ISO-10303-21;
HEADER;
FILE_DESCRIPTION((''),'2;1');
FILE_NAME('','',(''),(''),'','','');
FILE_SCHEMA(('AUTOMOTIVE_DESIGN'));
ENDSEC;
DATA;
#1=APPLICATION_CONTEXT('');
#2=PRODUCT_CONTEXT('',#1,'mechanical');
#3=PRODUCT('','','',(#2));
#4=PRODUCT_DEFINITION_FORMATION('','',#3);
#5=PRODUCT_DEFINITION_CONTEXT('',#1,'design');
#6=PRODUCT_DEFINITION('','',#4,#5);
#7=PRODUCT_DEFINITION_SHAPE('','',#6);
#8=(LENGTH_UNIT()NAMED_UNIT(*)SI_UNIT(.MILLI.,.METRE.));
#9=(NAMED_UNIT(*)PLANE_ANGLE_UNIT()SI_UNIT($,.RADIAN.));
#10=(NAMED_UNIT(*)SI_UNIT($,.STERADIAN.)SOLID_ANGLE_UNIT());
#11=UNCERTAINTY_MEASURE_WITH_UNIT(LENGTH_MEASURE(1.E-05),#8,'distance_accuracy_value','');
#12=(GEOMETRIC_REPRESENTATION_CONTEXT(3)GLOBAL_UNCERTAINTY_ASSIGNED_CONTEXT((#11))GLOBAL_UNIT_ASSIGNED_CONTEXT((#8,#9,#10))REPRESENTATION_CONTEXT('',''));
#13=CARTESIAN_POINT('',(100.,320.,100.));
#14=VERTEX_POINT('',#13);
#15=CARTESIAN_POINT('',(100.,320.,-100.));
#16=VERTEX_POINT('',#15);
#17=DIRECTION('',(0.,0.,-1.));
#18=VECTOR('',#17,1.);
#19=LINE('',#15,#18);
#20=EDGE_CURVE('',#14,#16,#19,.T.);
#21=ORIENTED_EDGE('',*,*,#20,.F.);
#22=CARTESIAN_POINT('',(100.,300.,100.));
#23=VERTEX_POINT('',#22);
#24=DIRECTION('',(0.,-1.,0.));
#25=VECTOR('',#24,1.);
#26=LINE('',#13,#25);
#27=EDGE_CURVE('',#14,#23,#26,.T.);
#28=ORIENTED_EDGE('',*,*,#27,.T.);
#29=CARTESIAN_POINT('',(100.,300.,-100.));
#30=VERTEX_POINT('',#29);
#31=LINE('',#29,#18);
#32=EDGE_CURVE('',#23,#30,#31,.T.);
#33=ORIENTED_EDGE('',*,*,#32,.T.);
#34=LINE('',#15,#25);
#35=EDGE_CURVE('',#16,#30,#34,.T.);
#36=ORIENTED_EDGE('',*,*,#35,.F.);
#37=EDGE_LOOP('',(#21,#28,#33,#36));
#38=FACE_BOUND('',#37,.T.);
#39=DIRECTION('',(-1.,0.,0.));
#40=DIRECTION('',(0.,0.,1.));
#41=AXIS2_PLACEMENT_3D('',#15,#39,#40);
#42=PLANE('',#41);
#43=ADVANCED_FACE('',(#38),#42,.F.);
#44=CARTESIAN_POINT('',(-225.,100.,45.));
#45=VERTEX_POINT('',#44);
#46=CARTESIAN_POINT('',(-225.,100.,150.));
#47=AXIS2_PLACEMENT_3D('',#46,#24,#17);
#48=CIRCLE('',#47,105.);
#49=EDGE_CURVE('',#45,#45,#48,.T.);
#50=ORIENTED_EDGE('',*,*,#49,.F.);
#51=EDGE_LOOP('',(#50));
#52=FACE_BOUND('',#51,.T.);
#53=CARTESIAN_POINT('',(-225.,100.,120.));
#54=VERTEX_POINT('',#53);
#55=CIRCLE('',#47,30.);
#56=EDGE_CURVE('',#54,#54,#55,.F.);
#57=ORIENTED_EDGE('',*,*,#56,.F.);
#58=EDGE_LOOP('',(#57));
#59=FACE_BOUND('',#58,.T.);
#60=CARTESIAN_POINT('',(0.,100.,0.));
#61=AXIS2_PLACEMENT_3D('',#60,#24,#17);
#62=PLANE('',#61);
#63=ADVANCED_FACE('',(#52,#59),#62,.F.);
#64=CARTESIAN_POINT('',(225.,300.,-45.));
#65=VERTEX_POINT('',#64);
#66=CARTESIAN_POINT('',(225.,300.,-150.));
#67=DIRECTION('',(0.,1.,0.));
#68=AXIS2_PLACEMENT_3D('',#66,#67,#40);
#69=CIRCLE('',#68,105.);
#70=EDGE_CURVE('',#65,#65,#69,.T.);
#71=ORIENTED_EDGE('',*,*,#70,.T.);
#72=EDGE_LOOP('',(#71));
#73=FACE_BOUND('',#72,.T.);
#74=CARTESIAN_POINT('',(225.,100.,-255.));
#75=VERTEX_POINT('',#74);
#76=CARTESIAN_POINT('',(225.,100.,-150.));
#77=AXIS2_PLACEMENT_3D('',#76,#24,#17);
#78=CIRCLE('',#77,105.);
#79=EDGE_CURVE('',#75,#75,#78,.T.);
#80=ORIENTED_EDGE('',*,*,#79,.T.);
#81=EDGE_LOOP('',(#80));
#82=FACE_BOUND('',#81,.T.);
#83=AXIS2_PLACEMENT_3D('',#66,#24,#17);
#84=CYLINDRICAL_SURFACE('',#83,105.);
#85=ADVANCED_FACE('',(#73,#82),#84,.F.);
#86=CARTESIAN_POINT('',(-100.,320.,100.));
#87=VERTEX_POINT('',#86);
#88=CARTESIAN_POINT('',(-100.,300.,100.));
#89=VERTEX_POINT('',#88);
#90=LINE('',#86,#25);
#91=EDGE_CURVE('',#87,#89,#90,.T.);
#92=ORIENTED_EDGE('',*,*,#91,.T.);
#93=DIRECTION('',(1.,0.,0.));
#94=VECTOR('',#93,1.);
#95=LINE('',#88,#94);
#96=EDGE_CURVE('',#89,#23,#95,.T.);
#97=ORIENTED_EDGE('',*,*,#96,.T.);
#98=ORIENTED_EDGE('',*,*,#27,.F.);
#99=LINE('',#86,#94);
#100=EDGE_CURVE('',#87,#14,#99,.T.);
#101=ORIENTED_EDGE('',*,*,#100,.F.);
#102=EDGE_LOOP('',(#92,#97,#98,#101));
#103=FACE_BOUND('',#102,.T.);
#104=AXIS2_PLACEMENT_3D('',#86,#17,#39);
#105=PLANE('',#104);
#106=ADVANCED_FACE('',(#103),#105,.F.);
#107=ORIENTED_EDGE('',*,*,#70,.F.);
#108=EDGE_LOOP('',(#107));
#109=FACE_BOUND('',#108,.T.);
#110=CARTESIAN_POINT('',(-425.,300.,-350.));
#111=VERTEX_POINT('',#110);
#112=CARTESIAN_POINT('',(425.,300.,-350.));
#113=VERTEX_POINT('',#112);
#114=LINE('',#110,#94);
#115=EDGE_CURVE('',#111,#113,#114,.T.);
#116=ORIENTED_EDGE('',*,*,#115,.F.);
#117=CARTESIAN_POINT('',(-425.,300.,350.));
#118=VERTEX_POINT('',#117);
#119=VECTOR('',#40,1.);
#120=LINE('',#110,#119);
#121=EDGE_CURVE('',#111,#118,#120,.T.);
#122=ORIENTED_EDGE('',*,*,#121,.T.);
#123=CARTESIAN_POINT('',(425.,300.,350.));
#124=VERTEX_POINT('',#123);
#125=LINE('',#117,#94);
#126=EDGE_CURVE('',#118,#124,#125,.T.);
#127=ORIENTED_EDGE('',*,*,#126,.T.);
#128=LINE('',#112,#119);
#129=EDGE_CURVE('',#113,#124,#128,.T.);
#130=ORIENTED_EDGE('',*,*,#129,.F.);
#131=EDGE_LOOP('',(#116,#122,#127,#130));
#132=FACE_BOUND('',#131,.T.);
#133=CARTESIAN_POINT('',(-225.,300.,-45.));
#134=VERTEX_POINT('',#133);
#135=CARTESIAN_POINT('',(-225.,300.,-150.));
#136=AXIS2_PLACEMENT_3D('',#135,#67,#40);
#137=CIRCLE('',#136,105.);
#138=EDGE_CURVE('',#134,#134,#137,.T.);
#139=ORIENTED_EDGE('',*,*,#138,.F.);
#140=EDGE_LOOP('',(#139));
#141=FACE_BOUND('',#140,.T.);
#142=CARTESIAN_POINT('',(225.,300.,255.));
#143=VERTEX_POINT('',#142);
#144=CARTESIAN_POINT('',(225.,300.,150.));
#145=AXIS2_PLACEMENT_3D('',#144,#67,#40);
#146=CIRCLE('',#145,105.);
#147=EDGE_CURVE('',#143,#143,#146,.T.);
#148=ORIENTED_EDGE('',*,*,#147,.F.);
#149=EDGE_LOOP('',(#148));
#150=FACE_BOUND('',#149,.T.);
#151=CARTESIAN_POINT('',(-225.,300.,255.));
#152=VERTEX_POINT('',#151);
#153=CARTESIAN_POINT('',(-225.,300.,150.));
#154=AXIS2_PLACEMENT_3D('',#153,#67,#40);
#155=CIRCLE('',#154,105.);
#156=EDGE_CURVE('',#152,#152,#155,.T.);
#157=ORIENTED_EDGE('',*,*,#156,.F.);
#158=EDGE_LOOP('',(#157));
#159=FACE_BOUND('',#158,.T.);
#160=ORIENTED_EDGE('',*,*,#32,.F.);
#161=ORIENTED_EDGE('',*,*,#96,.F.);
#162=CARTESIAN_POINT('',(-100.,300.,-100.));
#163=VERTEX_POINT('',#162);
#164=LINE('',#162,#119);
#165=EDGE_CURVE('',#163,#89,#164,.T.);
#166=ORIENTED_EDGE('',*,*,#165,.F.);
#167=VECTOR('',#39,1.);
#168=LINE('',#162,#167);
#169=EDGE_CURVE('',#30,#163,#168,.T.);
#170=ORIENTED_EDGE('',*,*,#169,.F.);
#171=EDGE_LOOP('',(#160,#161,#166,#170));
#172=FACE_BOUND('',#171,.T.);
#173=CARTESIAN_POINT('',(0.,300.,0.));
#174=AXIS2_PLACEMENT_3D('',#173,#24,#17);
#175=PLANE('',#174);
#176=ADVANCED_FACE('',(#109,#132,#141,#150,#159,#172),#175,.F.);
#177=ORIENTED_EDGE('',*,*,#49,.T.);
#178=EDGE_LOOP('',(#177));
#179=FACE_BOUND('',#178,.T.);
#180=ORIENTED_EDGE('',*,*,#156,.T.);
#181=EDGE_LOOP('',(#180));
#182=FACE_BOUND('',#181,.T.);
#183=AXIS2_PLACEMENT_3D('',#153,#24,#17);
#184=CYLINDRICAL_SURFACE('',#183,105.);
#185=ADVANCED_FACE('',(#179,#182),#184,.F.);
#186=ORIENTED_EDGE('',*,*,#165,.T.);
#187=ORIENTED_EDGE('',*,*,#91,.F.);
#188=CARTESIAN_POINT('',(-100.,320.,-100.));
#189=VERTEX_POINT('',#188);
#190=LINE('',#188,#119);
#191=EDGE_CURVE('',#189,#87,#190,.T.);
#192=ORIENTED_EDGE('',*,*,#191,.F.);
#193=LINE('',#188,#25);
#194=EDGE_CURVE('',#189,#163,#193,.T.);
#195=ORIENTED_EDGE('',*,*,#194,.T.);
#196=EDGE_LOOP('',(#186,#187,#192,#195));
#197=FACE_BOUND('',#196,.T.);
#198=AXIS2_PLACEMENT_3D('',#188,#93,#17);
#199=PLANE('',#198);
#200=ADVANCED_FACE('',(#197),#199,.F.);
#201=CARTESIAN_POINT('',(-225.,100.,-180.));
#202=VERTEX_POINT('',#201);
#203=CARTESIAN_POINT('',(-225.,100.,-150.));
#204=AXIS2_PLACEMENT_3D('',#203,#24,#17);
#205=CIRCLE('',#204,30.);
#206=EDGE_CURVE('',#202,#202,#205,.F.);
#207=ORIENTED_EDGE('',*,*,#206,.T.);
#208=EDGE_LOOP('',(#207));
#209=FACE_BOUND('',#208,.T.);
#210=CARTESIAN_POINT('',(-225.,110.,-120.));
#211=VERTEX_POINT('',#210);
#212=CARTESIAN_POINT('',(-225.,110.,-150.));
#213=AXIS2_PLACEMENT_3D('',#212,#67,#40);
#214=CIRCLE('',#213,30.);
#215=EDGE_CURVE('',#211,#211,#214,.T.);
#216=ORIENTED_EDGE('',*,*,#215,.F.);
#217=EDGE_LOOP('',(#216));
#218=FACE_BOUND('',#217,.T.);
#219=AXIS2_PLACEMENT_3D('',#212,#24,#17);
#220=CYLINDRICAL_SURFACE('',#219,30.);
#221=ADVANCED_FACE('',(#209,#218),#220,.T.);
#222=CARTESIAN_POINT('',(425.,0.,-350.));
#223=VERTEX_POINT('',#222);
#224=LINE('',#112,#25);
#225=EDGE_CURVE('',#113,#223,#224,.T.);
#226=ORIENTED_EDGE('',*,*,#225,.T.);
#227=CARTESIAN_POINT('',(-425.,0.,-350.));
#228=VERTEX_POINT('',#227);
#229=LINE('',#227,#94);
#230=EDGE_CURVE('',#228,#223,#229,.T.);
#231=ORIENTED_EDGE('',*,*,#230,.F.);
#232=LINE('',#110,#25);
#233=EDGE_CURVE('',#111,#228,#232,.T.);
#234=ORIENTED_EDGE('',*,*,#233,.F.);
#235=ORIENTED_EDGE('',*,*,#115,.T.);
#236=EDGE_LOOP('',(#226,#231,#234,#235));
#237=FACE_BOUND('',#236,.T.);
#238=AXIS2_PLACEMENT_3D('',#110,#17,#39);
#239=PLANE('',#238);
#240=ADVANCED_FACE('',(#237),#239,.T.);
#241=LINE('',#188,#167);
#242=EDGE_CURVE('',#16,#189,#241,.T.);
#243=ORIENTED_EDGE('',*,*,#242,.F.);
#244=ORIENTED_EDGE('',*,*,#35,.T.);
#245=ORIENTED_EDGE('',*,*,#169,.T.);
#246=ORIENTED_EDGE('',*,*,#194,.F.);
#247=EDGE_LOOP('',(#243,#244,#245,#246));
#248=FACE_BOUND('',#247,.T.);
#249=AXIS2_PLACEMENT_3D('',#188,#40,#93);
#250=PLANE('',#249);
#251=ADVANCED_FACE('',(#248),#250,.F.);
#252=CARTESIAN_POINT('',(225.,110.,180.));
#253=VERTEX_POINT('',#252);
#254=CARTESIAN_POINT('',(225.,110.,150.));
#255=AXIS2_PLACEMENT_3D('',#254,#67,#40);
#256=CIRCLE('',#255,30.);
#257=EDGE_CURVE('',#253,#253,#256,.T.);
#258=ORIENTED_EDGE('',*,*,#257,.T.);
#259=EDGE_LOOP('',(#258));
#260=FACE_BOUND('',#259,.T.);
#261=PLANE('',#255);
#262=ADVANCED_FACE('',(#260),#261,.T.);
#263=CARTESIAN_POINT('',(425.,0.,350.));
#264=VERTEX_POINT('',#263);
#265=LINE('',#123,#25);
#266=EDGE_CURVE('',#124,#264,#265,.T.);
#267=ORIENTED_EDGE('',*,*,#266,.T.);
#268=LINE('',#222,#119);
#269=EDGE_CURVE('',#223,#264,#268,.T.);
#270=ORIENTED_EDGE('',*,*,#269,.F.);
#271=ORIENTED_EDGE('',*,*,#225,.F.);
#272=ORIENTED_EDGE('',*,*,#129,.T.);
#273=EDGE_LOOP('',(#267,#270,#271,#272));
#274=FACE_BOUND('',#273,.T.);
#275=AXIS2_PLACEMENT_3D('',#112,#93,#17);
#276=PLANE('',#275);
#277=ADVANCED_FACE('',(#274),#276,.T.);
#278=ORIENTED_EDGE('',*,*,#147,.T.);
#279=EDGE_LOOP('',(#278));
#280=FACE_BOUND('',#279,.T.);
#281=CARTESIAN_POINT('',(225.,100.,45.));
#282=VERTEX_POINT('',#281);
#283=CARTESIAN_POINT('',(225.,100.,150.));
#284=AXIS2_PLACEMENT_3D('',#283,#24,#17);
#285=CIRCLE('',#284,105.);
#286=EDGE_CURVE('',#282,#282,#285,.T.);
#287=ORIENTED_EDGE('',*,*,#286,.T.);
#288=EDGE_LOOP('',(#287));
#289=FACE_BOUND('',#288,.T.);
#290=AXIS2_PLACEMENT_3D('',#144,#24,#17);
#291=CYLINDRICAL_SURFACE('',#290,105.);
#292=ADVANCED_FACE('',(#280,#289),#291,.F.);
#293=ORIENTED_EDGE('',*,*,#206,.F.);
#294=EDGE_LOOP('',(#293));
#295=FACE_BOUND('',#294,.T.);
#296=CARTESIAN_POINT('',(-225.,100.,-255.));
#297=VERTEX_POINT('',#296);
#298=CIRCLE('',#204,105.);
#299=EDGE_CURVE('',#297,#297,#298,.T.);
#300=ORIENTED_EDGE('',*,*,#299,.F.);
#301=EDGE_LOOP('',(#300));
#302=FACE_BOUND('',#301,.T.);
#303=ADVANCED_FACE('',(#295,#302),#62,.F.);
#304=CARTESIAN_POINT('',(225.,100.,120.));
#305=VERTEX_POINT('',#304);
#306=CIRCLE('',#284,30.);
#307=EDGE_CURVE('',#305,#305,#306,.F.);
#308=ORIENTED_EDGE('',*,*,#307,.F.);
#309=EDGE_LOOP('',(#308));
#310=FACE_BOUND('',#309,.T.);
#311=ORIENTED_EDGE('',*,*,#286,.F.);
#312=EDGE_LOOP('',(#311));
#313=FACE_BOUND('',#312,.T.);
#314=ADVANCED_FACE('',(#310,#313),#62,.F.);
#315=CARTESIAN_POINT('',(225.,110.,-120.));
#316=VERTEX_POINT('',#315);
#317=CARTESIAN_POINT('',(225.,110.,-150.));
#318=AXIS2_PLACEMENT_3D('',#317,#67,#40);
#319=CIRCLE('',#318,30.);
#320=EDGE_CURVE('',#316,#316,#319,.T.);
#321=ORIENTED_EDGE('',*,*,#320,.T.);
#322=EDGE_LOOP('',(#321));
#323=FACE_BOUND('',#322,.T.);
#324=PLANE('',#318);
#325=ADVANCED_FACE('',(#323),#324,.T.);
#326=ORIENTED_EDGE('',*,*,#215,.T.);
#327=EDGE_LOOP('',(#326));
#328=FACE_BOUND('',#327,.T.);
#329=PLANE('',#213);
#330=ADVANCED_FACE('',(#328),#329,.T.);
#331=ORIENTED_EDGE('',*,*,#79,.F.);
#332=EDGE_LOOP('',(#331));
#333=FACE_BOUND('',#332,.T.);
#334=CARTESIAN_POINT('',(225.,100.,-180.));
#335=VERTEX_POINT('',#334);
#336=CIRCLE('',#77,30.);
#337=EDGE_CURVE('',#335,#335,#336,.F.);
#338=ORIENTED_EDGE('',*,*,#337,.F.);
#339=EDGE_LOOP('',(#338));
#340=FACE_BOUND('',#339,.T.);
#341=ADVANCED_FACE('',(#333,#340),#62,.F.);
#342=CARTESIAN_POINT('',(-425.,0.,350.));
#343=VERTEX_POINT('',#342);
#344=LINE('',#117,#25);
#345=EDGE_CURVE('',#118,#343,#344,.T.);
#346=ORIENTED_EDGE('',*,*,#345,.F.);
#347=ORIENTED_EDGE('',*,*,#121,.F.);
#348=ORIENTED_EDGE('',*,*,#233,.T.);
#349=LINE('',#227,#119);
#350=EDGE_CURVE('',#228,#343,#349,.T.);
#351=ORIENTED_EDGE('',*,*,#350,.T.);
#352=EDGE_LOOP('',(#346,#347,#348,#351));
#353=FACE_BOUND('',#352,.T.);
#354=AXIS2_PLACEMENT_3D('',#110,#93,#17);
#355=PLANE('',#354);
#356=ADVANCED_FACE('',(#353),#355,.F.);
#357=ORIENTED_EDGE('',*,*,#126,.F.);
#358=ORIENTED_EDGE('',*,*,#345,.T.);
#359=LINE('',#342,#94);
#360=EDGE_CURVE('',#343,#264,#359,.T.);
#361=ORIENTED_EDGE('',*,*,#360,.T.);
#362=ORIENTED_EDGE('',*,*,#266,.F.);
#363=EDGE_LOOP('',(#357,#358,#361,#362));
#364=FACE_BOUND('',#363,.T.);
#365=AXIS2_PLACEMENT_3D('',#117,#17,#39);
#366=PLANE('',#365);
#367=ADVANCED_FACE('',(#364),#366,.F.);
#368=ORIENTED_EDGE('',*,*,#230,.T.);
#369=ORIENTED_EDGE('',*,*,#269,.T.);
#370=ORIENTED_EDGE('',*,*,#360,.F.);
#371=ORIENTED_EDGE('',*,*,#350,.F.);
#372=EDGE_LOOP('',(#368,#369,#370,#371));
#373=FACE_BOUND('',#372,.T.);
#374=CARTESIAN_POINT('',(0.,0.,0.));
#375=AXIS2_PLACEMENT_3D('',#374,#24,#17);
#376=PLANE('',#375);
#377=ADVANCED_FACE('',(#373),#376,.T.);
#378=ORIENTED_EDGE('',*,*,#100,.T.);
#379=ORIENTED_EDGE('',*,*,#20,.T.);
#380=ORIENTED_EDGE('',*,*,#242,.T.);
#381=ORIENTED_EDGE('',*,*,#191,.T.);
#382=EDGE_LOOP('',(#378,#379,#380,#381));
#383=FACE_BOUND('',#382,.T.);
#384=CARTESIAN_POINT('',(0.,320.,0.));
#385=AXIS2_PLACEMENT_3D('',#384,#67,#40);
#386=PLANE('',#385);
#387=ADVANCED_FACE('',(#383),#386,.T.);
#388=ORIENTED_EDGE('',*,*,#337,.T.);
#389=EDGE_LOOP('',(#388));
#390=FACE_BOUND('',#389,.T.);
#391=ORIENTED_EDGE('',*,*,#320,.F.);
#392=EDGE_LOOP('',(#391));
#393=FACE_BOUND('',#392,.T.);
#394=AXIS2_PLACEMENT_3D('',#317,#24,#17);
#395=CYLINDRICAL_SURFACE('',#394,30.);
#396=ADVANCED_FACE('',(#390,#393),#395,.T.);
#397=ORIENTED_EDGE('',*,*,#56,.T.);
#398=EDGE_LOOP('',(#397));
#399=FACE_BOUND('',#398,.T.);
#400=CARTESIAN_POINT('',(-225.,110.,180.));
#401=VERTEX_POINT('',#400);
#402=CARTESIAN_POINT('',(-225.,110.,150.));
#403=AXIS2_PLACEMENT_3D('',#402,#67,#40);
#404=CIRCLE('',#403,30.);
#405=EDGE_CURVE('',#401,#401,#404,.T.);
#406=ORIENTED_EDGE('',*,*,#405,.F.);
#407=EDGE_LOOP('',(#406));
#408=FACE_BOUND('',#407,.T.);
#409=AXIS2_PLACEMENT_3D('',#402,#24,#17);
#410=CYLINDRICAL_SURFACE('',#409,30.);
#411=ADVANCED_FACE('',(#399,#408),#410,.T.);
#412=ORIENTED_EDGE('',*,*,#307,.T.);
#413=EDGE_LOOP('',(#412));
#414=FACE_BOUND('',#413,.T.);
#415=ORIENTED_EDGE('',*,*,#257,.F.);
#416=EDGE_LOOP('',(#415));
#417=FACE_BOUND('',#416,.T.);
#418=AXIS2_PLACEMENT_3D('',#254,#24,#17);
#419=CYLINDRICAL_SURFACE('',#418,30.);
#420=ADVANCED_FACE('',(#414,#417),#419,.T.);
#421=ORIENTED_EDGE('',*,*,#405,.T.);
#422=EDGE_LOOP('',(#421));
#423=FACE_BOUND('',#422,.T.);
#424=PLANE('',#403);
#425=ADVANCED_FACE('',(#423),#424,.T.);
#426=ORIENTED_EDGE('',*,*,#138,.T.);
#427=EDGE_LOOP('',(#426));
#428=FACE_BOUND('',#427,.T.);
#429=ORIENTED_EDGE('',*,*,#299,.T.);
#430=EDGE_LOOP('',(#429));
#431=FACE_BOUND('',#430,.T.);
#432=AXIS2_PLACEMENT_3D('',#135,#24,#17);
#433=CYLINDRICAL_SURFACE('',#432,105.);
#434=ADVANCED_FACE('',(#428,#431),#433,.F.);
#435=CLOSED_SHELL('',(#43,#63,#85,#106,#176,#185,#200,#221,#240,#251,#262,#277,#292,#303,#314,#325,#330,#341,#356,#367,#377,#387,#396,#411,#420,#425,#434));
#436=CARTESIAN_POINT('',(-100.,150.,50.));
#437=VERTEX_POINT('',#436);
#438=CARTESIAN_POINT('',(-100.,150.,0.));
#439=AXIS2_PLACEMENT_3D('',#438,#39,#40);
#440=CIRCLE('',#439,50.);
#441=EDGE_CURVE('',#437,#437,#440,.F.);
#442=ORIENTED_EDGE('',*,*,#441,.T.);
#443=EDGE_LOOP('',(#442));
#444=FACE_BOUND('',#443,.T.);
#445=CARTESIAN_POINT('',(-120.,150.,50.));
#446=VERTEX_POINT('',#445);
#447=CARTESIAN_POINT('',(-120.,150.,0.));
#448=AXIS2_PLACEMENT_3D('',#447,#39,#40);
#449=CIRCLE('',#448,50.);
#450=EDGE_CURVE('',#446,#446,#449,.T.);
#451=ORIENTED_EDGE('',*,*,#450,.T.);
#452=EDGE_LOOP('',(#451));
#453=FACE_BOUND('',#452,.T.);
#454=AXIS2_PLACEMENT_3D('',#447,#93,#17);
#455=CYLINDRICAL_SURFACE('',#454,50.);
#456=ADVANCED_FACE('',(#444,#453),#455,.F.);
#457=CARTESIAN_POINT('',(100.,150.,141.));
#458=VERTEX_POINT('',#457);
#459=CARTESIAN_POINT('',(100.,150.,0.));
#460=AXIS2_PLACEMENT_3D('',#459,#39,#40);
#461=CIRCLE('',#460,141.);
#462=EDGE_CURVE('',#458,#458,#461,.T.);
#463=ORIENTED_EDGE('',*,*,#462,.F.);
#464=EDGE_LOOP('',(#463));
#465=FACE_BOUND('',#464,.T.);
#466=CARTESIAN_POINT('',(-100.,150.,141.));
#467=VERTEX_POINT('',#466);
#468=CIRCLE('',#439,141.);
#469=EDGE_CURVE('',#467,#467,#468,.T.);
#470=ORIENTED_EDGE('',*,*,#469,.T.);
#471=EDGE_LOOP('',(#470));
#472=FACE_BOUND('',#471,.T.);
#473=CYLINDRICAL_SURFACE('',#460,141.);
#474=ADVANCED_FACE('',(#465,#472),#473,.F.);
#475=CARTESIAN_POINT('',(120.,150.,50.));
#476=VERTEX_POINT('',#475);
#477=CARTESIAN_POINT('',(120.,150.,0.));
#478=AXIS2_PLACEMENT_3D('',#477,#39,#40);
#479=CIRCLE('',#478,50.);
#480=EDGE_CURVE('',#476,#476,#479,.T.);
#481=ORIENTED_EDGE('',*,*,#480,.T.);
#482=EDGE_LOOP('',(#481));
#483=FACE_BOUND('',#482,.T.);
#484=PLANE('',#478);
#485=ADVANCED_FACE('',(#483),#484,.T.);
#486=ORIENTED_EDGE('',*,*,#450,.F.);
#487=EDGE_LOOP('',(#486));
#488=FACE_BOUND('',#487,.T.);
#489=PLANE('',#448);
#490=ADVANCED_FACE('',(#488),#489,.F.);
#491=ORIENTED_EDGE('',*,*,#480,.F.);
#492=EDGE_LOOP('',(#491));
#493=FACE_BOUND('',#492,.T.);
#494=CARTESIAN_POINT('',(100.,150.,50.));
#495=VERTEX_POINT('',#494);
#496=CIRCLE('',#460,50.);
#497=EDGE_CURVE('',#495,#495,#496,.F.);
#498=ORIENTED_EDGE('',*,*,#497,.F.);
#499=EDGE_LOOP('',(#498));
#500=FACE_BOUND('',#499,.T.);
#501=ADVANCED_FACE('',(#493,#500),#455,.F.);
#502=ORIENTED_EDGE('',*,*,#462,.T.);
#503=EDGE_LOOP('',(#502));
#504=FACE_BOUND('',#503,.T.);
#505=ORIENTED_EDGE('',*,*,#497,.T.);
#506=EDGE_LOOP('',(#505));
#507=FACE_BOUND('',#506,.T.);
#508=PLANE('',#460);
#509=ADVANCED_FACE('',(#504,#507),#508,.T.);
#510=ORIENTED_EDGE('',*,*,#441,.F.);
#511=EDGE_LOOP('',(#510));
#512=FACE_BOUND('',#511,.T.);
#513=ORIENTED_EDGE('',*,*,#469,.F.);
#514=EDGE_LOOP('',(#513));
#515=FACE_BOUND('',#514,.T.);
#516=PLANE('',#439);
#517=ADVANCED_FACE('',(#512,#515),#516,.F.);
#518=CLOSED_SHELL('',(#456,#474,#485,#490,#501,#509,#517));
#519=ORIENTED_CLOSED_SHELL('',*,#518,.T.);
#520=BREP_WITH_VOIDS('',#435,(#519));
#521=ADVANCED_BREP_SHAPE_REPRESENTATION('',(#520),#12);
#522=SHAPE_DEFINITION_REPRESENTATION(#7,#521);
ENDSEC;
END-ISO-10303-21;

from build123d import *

# Parameters (mm, degrees)
SKETCH1_W               = 850
SKETCH1_H               = 700
SKETCH1_R               = 105
BOSS_EXTRUDE1_DEPTH     = 300
SKETCH2_W               = 718.724675112
SKETCH2_H               = 607.354725455
BOSS_EXTRUDE2_DEPTH     = 100
SKETCH3_R               = 30
BOSS_EXTRUDE3_DEPTH     = 10
CUT_EXTRUDE1_START      = -325
SKETCH4_R               = 141
CUT_EXTRUDE1_DEPTH      = 200
CUT_EXTRUDE2_DEPTH      = 220
CUT_EXTRUDE2_DEPTH_BACK = 20
SKETCH5_R               = 50
SKETCH6_W               = 200
SKETCH6_H               = 200
BOSS_EXTRUDE4_DEPTH     = 20


with BuildPart() as part:
    # Sketch1 → Boss-Extrude1 (new body)
    with BuildSketch(Plane(origin=(0, 0, 0), x_dir=(1, 0, 0), z_dir=(0, 1, 0))):
        Rectangle(SKETCH1_W, SKETCH1_H)
        with Locations(Location((-225, 150, 0), (0, 0, 270))):
            Circle(SKETCH1_R, mode=Mode.SUBTRACT)
        with Locations(Location((225, 150, 0), (0, 0, 270))):
            Circle(SKETCH1_R, mode=Mode.SUBTRACT)
        with Locations(Location((-225, -150, 0), (0, 0, 270))):
            Circle(SKETCH1_R, mode=Mode.SUBTRACT)
        with Locations(Location((225, -150, 0), (0, 0, 270))):
            Circle(SKETCH1_R, mode=Mode.SUBTRACT)
    extrude(amount=BOSS_EXTRUDE1_DEPTH)

    # Sketch2 → Boss-Extrude2 (add)
    with BuildSketch(Plane.XZ):
        with Locations((3.884998244, -5.179997659)):
            Rectangle(SKETCH2_W, SKETCH2_H)
    extrude(amount=-BOSS_EXTRUDE2_DEPTH)

    # Sketch3 → Boss-Extrude3 (add)
    with BuildSketch(Plane(origin=(0, 100, 0), x_dir=(1, 0, 0), z_dir=(0, 1, 0))):
        with Locations(Location((-225, 150, 0), (0, 0, 90))):
            Circle(SKETCH3_R)
        with Locations(Location((225, 150, 0), (0, 0, 90))):
            Circle(SKETCH3_R)
        with Locations(Location((225, -150, 0), (0, 0, 90))):
            Circle(SKETCH3_R)
        with Locations(Location((-225, -150, 0), (0, 0, 90))):
            Circle(SKETCH3_R)
    extrude(amount=BOSS_EXTRUDE3_DEPTH)

    # Sketch4 → Cut-Extrude1 (cut)
    with BuildSketch(Plane.ZY.offset(425).offset(CUT_EXTRUDE1_START)):
        with Locations((0, 150)):
            Circle(SKETCH4_R)
    extrude(amount=-CUT_EXTRUDE1_DEPTH, mode=Mode.SUBTRACT)

    # Sketch5 → Cut-Extrude2 (cut, two sides: drawn at the far end of the back side and taken through both)
    with BuildSketch(Plane.ZY.offset(-100).offset(-CUT_EXTRUDE2_DEPTH_BACK)):
        with Locations((0, 150)):
            Circle(SKETCH5_R)
    extrude(amount=CUT_EXTRUDE2_DEPTH + CUT_EXTRUDE2_DEPTH_BACK, mode=Mode.SUBTRACT)

    # Sketch6 → Boss-Extrude4 (add)
    with BuildSketch(Plane(origin=(0, 300, 0), x_dir=(1, 0, 0), z_dir=(0, 1, 0))):
        Rectangle(SKETCH6_W, SKETCH6_H)
    extrude(amount=BOSS_EXTRUDE4_DEPTH)


solid = part.part
